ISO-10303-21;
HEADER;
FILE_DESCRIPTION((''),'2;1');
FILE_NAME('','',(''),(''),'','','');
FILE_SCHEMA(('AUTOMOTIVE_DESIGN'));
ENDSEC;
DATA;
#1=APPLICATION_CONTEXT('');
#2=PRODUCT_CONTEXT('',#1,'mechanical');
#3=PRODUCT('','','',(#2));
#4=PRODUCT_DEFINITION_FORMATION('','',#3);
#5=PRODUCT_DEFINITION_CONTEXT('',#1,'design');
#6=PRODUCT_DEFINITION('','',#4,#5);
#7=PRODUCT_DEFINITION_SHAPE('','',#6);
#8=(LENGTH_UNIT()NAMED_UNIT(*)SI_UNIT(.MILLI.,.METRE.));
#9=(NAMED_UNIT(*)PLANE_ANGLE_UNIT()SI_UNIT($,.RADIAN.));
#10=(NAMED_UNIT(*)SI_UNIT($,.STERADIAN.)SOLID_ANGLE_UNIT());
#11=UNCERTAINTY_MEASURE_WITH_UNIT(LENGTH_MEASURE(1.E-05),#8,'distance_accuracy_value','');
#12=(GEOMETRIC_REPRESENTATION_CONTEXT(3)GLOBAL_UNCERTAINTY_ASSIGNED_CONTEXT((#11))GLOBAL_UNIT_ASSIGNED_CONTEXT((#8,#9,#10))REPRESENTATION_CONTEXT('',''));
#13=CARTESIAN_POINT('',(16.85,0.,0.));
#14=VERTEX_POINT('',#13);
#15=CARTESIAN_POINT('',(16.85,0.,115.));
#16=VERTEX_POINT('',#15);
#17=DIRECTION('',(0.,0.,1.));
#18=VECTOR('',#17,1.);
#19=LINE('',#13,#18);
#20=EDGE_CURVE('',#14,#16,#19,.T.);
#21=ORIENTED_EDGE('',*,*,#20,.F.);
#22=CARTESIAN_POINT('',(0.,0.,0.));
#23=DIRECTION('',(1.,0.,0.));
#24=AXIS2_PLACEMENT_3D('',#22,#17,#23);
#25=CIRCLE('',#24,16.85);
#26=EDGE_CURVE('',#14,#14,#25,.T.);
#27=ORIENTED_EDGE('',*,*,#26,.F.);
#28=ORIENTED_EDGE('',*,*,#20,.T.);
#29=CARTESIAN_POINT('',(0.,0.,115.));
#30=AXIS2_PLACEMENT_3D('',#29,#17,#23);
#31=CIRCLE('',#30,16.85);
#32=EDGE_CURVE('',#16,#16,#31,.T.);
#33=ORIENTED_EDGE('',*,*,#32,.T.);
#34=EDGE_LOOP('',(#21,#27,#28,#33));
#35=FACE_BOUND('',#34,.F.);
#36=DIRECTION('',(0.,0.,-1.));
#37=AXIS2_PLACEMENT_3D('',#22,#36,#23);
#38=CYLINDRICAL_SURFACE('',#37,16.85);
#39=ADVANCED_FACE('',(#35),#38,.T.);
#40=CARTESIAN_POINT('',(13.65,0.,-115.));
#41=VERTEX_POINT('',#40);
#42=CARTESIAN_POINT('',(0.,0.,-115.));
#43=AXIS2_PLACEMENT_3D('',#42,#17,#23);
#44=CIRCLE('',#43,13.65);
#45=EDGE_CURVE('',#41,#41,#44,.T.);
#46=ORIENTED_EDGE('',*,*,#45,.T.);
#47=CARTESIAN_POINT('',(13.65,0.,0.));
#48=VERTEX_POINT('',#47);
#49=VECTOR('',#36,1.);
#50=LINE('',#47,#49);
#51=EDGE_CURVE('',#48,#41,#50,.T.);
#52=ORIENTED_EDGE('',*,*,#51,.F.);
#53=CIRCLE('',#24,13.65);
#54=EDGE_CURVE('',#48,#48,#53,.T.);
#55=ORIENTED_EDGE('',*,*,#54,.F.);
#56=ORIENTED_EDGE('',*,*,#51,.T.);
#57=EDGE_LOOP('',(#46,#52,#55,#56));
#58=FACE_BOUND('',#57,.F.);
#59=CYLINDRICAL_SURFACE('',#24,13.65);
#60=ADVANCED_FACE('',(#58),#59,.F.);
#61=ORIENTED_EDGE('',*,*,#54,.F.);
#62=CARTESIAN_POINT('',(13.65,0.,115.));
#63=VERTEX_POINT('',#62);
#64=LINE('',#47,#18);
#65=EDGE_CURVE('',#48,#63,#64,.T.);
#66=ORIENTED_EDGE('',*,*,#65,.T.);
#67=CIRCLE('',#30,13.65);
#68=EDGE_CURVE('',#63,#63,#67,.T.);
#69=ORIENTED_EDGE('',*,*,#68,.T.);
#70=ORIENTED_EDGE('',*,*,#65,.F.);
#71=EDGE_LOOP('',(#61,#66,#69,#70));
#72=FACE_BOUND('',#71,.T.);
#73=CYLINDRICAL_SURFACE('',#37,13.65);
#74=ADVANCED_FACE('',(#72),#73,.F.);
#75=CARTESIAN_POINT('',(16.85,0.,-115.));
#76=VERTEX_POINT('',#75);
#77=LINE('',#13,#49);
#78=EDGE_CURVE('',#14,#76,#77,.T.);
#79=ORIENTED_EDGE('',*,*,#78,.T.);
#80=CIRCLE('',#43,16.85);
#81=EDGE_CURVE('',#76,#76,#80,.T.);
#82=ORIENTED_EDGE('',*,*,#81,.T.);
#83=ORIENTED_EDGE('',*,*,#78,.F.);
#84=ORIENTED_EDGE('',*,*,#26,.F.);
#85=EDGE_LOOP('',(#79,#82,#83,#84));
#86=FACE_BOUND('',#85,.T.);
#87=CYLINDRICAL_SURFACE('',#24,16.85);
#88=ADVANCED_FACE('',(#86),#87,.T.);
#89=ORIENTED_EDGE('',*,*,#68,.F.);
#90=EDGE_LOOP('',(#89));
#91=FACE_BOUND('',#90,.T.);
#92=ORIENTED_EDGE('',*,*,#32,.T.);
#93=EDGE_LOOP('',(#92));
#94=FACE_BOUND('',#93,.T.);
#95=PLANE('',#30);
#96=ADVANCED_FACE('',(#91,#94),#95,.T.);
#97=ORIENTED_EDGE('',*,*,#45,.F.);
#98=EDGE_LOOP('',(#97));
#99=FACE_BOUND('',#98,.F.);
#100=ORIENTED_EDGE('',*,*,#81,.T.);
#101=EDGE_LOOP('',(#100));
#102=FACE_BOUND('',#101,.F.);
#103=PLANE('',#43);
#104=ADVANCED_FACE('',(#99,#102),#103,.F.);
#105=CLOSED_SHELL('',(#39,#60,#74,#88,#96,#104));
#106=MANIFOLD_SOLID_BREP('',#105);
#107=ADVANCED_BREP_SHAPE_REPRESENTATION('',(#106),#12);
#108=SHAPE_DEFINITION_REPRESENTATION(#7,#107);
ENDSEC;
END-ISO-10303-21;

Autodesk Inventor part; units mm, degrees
ref_plane "YZ Plane" through (0, 0, 0) normal (1, 0, 0) x (0, 1, 0)
ref_plane "XZ Plane" through (0, 0, 0) normal (0, 1, 0) x (-1, 0, 0)
ref_plane "XY Plane" through (0, 0, 0) normal (0, 0, 1) x (1, 0, 0)
sketch "Sketch1" plane through (0, 0, 0) normal (0, 0, 1) x (1, 0, 0)
  circle A0 centre (0, 0) radius 16.85
  circle A1 centre (0, 0) radius 13.65
  dimension "OD" = 33.7
  dimension "t" = 3.2
extrude "Extrusion1" add sketch "Sketch1" along normal mid plane 230
equation "\"size\" = 6"
properties part number "DTb" material "Aluminium 6082 T6"
